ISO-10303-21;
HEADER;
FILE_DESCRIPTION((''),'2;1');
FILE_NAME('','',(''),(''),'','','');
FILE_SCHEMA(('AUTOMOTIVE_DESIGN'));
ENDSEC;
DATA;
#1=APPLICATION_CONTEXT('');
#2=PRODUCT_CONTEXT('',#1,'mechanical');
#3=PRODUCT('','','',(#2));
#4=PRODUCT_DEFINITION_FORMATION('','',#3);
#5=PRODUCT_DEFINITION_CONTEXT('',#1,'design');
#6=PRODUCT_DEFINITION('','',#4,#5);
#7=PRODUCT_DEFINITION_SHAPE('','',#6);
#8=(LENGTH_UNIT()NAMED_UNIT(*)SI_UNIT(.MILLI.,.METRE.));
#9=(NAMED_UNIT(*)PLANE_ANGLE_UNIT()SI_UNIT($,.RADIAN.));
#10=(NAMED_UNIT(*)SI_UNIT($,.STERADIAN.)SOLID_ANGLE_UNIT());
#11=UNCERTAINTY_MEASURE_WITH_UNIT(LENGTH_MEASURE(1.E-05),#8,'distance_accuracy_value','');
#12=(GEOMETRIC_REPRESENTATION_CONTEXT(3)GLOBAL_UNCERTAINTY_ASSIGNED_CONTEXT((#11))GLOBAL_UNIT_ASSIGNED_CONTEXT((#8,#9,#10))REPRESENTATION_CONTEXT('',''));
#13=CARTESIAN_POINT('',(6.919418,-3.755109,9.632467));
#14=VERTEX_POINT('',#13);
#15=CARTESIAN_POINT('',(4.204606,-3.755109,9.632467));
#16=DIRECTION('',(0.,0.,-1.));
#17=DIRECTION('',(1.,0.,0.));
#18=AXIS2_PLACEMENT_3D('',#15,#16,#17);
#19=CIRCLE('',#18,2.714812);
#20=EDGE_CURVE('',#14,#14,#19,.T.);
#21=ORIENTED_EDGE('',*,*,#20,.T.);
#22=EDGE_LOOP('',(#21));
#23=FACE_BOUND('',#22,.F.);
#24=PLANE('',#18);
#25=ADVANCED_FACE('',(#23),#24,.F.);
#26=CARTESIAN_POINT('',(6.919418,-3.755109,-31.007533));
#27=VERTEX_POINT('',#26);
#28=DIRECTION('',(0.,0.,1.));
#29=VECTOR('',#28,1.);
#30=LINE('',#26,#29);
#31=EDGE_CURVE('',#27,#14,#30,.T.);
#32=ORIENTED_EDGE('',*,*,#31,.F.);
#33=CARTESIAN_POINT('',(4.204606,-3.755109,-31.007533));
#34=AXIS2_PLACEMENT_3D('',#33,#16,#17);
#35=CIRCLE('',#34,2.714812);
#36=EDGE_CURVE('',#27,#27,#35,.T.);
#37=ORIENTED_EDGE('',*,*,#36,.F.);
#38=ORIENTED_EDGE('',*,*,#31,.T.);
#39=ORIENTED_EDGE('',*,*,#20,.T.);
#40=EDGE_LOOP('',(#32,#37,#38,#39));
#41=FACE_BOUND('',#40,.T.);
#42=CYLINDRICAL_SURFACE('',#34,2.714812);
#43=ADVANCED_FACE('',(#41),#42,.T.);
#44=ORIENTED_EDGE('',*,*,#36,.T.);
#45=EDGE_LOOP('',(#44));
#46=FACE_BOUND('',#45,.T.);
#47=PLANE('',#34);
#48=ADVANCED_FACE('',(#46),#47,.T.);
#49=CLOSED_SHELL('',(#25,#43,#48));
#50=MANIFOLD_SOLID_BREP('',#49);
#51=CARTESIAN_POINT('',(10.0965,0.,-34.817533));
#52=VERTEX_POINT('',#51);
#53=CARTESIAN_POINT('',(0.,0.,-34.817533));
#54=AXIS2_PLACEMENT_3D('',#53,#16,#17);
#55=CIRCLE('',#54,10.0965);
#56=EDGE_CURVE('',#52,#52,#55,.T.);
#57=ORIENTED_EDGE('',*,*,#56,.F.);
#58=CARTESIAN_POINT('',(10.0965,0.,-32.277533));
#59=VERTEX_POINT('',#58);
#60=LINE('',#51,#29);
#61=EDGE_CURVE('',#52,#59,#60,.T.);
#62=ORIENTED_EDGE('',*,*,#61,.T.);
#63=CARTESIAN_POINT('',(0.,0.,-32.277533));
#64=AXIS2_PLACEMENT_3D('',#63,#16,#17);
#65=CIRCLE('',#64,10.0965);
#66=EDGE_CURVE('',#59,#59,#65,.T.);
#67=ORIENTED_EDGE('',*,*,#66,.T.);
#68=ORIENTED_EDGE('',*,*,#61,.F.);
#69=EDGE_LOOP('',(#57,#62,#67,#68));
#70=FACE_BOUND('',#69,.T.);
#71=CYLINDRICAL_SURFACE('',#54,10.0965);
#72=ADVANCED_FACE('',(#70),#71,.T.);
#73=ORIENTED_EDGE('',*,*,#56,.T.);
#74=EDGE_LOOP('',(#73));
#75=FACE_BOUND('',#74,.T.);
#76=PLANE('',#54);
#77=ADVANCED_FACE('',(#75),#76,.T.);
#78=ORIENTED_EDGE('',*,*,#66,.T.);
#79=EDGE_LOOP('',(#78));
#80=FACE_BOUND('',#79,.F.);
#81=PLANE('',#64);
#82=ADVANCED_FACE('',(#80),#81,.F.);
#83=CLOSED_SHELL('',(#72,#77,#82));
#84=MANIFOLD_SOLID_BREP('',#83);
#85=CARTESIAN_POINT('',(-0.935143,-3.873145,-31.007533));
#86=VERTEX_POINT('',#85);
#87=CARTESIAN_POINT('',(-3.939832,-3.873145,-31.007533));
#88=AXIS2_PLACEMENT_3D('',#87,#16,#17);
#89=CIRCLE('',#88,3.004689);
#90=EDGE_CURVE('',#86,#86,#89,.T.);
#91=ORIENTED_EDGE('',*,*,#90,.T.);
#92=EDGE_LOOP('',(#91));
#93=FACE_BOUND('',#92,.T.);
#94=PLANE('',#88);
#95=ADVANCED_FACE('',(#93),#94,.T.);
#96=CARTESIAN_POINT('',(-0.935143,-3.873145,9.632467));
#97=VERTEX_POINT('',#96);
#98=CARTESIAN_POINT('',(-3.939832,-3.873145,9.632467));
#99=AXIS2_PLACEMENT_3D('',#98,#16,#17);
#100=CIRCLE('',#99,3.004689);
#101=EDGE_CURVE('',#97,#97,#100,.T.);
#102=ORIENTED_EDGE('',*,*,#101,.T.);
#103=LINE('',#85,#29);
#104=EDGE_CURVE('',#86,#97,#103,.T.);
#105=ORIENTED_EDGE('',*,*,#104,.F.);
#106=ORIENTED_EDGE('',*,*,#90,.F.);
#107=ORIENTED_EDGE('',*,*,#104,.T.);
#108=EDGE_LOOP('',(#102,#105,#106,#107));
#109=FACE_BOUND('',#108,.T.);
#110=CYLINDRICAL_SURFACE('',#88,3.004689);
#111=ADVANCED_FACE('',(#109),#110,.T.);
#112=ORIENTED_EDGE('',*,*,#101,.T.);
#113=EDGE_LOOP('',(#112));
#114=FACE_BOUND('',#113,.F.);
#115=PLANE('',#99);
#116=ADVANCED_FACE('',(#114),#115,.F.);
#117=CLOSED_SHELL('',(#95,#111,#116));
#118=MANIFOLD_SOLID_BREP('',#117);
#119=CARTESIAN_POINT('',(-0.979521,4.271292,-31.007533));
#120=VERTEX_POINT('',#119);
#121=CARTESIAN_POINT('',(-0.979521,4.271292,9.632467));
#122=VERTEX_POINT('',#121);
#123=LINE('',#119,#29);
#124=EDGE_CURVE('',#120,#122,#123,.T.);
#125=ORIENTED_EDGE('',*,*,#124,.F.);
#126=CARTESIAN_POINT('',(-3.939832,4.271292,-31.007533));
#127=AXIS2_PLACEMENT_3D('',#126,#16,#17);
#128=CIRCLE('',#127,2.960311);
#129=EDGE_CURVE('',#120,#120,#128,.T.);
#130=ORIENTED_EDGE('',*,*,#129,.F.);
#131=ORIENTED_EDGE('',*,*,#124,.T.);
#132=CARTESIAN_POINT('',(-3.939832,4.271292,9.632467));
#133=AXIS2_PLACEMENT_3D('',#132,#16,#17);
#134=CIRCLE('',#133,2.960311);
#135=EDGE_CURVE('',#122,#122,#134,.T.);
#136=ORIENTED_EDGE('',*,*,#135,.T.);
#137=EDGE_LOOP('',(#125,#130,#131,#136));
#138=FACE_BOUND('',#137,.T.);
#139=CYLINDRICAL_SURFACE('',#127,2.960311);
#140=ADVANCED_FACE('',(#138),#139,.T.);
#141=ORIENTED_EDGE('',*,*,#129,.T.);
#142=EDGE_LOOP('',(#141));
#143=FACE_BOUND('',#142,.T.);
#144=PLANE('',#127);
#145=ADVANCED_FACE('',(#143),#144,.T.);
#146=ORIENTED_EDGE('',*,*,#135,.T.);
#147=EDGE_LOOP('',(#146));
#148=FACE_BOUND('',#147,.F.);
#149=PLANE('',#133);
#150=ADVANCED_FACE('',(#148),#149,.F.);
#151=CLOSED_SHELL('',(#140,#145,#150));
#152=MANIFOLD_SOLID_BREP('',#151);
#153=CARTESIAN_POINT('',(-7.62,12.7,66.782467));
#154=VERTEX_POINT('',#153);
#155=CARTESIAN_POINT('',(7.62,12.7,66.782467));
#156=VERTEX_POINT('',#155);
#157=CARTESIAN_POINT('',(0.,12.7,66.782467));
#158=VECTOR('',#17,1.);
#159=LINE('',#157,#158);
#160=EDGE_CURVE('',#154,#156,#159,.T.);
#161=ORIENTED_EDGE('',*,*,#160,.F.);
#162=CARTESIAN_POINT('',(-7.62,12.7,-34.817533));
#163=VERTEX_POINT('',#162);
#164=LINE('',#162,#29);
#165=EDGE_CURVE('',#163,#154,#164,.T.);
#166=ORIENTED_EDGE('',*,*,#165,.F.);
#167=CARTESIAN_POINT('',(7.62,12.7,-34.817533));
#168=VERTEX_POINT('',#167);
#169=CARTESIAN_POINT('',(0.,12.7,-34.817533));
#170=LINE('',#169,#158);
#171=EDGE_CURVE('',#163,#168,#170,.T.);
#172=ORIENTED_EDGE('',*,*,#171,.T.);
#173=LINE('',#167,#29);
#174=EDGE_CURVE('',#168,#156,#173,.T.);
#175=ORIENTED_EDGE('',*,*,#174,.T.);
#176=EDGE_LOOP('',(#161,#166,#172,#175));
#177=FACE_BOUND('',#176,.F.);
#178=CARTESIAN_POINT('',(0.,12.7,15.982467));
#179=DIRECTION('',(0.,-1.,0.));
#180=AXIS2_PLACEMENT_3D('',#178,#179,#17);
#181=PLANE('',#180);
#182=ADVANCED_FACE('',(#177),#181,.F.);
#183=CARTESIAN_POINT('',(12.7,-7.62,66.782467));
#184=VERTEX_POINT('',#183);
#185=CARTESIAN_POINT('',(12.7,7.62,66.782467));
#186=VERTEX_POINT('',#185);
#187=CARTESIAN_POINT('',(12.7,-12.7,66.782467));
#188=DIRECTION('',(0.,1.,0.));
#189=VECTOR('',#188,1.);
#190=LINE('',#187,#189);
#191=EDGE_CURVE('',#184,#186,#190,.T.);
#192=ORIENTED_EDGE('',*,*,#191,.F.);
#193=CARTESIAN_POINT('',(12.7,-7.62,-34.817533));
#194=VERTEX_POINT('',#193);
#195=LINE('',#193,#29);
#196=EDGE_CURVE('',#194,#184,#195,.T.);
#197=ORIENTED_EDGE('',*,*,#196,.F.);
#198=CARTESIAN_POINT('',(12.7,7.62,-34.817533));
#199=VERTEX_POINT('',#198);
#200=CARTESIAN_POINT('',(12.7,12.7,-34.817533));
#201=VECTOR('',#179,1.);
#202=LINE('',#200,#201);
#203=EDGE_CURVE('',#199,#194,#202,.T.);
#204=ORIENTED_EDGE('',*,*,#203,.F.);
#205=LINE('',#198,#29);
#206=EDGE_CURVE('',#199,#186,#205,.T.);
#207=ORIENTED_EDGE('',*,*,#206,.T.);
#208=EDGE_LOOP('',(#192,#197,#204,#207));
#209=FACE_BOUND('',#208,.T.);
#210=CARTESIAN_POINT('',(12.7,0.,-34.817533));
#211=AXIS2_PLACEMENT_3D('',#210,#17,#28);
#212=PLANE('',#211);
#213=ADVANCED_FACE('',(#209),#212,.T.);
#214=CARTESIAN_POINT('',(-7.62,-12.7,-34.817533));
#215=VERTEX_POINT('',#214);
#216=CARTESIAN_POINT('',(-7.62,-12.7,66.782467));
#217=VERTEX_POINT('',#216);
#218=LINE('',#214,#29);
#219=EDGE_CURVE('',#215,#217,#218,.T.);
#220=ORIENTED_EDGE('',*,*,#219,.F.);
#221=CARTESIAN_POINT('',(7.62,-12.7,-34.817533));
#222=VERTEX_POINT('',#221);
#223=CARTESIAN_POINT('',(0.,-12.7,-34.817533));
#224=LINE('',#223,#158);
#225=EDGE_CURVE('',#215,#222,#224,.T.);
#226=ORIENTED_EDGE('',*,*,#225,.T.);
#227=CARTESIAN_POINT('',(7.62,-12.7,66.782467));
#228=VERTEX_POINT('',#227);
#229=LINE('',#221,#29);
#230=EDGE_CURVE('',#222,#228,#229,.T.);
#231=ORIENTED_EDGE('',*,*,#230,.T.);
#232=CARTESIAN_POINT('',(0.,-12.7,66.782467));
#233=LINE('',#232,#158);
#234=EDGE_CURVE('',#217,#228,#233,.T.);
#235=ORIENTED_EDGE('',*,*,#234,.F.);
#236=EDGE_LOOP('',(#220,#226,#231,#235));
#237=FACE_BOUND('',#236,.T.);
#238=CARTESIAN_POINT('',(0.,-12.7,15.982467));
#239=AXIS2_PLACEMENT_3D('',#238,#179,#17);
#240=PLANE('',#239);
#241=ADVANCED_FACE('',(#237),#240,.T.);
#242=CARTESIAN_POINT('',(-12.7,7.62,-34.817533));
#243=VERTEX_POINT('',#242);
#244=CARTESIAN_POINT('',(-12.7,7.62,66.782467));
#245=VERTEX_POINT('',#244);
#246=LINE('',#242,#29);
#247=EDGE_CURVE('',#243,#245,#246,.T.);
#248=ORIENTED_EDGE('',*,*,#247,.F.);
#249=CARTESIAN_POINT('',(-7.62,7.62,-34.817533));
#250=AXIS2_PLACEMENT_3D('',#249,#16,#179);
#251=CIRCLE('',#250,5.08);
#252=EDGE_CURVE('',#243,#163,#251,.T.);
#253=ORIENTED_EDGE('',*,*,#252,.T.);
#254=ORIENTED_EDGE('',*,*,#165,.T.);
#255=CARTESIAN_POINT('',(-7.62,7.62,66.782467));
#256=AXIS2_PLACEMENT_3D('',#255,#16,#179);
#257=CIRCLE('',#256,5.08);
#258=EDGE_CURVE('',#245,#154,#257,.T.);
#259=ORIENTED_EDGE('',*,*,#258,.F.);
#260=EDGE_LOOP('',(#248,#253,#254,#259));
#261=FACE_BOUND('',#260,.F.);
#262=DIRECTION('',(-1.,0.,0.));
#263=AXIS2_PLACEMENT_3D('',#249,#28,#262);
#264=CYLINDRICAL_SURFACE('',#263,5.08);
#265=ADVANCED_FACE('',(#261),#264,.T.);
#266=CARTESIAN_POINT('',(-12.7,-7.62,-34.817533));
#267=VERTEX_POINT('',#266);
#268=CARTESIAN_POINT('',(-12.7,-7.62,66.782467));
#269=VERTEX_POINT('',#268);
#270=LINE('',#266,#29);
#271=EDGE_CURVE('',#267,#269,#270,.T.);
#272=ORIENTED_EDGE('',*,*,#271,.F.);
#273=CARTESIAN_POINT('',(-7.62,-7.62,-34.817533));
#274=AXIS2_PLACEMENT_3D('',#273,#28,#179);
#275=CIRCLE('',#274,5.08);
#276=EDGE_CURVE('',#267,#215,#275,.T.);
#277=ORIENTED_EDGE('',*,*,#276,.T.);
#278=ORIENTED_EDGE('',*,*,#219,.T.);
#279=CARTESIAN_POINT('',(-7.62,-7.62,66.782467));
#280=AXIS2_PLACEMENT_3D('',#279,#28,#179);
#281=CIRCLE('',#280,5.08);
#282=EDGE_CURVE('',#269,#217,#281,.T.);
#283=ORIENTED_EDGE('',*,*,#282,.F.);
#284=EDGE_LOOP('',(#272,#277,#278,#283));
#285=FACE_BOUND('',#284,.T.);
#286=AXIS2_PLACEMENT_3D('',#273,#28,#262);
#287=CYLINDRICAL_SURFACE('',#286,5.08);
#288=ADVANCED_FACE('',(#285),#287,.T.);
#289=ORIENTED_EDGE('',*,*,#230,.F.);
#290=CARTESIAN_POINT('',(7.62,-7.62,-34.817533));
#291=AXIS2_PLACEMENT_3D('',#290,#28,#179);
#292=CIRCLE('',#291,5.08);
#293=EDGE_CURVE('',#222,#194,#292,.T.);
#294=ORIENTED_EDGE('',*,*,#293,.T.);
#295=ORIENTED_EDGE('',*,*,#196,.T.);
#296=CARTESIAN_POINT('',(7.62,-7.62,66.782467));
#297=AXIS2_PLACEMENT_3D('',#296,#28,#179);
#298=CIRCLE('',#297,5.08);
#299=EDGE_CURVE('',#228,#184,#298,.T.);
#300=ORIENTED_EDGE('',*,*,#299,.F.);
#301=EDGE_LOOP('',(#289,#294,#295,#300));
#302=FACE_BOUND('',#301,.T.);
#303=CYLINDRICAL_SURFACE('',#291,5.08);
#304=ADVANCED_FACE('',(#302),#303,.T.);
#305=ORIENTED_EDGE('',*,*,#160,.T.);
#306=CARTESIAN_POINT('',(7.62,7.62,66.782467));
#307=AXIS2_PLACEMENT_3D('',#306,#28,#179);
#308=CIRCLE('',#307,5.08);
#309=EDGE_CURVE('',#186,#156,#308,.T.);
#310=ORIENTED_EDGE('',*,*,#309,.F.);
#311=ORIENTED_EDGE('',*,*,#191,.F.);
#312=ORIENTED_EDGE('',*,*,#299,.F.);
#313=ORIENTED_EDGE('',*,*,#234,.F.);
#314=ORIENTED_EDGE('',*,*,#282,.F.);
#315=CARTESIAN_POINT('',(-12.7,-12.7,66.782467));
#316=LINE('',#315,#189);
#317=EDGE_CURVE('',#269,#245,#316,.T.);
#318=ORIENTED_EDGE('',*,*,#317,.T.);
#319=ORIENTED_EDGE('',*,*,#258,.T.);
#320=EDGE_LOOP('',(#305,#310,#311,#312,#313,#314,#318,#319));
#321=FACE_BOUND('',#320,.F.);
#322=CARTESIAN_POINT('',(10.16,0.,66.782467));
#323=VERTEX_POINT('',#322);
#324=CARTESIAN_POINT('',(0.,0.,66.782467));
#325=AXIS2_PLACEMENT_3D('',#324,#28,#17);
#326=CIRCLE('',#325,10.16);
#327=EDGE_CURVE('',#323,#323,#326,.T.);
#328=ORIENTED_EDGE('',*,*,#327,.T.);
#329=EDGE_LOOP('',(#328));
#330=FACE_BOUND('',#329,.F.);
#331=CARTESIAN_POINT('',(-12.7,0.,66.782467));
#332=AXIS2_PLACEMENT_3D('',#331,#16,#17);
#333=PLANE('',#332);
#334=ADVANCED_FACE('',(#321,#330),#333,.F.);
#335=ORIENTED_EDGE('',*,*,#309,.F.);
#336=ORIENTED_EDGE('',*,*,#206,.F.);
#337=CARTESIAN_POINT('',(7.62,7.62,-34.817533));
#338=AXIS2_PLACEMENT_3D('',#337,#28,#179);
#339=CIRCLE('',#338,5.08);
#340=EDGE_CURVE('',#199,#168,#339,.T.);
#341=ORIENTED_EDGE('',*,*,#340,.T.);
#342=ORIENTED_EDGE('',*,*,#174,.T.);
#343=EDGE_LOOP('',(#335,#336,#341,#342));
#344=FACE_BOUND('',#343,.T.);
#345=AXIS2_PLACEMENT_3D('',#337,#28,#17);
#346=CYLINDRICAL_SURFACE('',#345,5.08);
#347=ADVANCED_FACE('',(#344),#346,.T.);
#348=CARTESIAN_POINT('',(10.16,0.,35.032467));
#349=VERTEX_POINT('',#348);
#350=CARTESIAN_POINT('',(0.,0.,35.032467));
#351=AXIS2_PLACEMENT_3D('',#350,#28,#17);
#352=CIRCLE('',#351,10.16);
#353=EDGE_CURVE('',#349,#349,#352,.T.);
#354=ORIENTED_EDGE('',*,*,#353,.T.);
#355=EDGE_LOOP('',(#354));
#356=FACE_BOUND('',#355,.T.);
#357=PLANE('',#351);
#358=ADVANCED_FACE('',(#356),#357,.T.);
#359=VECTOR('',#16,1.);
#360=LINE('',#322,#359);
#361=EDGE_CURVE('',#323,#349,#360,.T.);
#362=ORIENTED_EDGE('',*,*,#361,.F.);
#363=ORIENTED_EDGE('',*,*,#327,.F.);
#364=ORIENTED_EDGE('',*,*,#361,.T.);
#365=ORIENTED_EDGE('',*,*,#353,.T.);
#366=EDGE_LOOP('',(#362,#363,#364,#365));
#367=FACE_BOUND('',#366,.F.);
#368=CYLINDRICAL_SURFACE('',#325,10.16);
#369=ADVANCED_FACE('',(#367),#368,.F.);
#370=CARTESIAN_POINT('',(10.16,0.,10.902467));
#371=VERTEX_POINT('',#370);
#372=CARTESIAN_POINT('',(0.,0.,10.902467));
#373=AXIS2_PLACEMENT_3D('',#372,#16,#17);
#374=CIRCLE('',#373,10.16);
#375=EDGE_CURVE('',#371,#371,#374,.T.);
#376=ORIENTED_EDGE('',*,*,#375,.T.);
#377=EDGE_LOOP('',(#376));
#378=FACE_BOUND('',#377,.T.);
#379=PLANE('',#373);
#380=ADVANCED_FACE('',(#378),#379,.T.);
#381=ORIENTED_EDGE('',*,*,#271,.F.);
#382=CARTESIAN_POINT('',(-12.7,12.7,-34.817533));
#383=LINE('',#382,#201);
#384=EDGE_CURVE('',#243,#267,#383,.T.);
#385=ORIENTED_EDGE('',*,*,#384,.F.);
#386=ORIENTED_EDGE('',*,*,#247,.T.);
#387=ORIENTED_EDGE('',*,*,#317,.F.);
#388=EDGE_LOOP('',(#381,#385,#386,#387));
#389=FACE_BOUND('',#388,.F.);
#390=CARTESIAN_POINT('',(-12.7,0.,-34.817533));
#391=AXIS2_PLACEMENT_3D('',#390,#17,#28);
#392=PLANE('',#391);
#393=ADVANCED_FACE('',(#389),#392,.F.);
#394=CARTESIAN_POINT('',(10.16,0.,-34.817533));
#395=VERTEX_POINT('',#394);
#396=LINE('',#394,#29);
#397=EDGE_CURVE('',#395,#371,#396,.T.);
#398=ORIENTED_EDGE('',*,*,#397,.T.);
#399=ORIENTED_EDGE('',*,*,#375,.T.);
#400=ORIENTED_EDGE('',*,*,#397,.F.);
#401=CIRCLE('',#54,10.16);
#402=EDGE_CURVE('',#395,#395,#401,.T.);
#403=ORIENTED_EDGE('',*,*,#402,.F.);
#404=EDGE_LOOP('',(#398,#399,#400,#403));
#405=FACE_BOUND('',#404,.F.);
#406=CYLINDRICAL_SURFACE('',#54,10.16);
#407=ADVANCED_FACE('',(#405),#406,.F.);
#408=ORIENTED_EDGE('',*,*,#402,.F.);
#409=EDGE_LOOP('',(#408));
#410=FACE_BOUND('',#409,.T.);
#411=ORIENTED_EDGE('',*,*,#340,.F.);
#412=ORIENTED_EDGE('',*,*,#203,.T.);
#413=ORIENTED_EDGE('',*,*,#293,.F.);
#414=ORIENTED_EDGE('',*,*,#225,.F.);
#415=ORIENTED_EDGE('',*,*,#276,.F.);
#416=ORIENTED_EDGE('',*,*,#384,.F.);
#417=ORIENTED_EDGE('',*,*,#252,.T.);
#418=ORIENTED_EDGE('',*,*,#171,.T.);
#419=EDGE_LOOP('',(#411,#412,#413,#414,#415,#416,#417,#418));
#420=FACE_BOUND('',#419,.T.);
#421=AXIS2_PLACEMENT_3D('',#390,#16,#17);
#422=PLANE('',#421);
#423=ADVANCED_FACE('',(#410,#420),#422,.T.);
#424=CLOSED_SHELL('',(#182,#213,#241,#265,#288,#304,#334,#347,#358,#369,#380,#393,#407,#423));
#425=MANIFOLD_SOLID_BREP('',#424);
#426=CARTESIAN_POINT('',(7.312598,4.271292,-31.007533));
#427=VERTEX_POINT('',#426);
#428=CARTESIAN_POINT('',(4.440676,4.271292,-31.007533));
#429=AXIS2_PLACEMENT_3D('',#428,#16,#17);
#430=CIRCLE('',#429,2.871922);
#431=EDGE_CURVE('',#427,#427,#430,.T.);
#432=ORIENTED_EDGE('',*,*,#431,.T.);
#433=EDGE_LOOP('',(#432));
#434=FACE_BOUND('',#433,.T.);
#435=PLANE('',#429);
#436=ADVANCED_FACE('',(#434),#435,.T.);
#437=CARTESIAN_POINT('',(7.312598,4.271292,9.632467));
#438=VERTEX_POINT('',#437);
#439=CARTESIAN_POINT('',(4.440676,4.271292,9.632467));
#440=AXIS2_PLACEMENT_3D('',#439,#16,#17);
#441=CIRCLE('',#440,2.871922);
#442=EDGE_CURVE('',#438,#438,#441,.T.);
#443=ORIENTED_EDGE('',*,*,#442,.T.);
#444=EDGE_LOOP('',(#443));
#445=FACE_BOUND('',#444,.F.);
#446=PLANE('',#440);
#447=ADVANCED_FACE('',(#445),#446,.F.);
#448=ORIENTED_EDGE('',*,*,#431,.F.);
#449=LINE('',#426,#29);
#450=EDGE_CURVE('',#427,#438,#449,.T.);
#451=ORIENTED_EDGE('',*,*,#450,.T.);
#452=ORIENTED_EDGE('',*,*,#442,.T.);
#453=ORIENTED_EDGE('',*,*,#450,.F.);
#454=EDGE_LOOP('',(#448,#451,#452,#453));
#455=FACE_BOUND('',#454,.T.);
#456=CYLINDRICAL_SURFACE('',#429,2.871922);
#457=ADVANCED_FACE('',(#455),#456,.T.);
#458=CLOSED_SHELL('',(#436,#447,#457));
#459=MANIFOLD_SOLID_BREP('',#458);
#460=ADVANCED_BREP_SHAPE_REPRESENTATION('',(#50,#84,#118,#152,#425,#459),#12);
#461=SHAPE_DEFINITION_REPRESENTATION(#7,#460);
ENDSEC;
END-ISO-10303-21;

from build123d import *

# Parameters (mm, degrees)
F0_W      = 25.4
F0_H      = 101.6
F1_DEPTH  = 12.7
F2_R      = 5.08
F3_R      = 10.16
F4_DEPTH  = 31.75
F5_R      = 10.16
F6_DEPTH  = 45.72
F8_START  = -3.81
F7_R      = 3.0046886723
F8_DEPTH  = 40.64
F7_R_2    = 2.7148124063
F7_R_3    = 2.9603110359
F7_R_4    = 2.8719223608
F9_R      = 10.0965
F10_DEPTH = 2.54


with BuildPart() as f1:
    # F0 (on Front) → F1 (new body, symmetric)
    with BuildSketch(Plane.XZ):
        with Locations((0, 15.9824670672)):
            Rectangle(F0_W, F0_H)
    extrude(amount=F1_DEPTH, both=True)

    # F2
    f2_edges = [f1.edges().sort_by_distance(p)[0] for p in [
        (-12.7, 12.7, 15.982467),
        (-12.7, -12.7, 15.982467),
        (12.7, 12.7, 15.982467),
        (12.7, -12.7, 15.982467),
    ]]
    fillet(f2_edges, radius=F2_R)

    # F3 (on face) → F4 (cut)
    with BuildSketch(Plane.XY.offset(66.7824670672)):
        Circle(F3_R)
    extrude(amount=-F4_DEPTH, mode=Mode.SUBTRACT)

    # F5 (on face) → F6 (cut)
    with BuildSketch(Plane(origin=(0, 0, -34.8175329328), x_dir=(1, 0, 0), z_dir=(0, 0, -1))):
        Circle(F5_R)
    extrude(amount=-F6_DEPTH, mode=Mode.SUBTRACT)


with BuildPart() as f8:
    # F7 (on face) → F8 (new body)
    with BuildSketch(Plane(origin=(0, 0, -34.8175329328), x_dir=(1, 0, 0), z_dir=(0, 0, -1)).offset(F8_START)):
        with Locations((-3.9398320951, 3.8731449749)):
            Circle(F7_R)
    extrude(amount=-F8_DEPTH)


with BuildPart() as f8b:
    # F7 (on face) → F8, piece 2 (new body)
    with BuildSketch(Plane(origin=(0, 0, -34.8175329328), x_dir=(1, 0, 0), z_dir=(0, 0, -1)).offset(F8_START)):
        with Locations((4.204605706, 3.7551093847)):
            Circle(F7_R_2)
    extrude(amount=-F8_DEPTH)


with BuildPart() as f8c:
    # F7 (on face) → F8, piece 3 (new body)
    with BuildSketch(Plane(origin=(0, 0, -34.8175329328), x_dir=(1, 0, 0), z_dir=(0, 0, -1)).offset(F8_START)):
        with Locations((-3.9398320951, -4.271291662)):
            Circle(F7_R_3)
    extrude(amount=-F8_DEPTH)


with BuildPart() as f8d:
    # F7 (on face) → F8, piece 4 (new body)
    with BuildSketch(Plane(origin=(0, 0, -34.8175329328), x_dir=(1, 0, 0), z_dir=(0, 0, -1)).offset(F8_START)):
        with Locations((4.4406759553, -4.271291662)):
            Circle(F7_R_4)
    extrude(amount=-F8_DEPTH)


with BuildPart() as f10:
    # F9 (on face) → F10 (new body)
    with BuildSketch(Plane(origin=(0, 0, -34.8175329328), x_dir=(1, 0, 0), z_dir=(0, 0, -1))):
        Circle(F9_R)
    extrude(amount=-F10_DEPTH)


solid = Compound([f1.part, f8.part, f8b.part, f8c.part, f8d.part, f10.part])
